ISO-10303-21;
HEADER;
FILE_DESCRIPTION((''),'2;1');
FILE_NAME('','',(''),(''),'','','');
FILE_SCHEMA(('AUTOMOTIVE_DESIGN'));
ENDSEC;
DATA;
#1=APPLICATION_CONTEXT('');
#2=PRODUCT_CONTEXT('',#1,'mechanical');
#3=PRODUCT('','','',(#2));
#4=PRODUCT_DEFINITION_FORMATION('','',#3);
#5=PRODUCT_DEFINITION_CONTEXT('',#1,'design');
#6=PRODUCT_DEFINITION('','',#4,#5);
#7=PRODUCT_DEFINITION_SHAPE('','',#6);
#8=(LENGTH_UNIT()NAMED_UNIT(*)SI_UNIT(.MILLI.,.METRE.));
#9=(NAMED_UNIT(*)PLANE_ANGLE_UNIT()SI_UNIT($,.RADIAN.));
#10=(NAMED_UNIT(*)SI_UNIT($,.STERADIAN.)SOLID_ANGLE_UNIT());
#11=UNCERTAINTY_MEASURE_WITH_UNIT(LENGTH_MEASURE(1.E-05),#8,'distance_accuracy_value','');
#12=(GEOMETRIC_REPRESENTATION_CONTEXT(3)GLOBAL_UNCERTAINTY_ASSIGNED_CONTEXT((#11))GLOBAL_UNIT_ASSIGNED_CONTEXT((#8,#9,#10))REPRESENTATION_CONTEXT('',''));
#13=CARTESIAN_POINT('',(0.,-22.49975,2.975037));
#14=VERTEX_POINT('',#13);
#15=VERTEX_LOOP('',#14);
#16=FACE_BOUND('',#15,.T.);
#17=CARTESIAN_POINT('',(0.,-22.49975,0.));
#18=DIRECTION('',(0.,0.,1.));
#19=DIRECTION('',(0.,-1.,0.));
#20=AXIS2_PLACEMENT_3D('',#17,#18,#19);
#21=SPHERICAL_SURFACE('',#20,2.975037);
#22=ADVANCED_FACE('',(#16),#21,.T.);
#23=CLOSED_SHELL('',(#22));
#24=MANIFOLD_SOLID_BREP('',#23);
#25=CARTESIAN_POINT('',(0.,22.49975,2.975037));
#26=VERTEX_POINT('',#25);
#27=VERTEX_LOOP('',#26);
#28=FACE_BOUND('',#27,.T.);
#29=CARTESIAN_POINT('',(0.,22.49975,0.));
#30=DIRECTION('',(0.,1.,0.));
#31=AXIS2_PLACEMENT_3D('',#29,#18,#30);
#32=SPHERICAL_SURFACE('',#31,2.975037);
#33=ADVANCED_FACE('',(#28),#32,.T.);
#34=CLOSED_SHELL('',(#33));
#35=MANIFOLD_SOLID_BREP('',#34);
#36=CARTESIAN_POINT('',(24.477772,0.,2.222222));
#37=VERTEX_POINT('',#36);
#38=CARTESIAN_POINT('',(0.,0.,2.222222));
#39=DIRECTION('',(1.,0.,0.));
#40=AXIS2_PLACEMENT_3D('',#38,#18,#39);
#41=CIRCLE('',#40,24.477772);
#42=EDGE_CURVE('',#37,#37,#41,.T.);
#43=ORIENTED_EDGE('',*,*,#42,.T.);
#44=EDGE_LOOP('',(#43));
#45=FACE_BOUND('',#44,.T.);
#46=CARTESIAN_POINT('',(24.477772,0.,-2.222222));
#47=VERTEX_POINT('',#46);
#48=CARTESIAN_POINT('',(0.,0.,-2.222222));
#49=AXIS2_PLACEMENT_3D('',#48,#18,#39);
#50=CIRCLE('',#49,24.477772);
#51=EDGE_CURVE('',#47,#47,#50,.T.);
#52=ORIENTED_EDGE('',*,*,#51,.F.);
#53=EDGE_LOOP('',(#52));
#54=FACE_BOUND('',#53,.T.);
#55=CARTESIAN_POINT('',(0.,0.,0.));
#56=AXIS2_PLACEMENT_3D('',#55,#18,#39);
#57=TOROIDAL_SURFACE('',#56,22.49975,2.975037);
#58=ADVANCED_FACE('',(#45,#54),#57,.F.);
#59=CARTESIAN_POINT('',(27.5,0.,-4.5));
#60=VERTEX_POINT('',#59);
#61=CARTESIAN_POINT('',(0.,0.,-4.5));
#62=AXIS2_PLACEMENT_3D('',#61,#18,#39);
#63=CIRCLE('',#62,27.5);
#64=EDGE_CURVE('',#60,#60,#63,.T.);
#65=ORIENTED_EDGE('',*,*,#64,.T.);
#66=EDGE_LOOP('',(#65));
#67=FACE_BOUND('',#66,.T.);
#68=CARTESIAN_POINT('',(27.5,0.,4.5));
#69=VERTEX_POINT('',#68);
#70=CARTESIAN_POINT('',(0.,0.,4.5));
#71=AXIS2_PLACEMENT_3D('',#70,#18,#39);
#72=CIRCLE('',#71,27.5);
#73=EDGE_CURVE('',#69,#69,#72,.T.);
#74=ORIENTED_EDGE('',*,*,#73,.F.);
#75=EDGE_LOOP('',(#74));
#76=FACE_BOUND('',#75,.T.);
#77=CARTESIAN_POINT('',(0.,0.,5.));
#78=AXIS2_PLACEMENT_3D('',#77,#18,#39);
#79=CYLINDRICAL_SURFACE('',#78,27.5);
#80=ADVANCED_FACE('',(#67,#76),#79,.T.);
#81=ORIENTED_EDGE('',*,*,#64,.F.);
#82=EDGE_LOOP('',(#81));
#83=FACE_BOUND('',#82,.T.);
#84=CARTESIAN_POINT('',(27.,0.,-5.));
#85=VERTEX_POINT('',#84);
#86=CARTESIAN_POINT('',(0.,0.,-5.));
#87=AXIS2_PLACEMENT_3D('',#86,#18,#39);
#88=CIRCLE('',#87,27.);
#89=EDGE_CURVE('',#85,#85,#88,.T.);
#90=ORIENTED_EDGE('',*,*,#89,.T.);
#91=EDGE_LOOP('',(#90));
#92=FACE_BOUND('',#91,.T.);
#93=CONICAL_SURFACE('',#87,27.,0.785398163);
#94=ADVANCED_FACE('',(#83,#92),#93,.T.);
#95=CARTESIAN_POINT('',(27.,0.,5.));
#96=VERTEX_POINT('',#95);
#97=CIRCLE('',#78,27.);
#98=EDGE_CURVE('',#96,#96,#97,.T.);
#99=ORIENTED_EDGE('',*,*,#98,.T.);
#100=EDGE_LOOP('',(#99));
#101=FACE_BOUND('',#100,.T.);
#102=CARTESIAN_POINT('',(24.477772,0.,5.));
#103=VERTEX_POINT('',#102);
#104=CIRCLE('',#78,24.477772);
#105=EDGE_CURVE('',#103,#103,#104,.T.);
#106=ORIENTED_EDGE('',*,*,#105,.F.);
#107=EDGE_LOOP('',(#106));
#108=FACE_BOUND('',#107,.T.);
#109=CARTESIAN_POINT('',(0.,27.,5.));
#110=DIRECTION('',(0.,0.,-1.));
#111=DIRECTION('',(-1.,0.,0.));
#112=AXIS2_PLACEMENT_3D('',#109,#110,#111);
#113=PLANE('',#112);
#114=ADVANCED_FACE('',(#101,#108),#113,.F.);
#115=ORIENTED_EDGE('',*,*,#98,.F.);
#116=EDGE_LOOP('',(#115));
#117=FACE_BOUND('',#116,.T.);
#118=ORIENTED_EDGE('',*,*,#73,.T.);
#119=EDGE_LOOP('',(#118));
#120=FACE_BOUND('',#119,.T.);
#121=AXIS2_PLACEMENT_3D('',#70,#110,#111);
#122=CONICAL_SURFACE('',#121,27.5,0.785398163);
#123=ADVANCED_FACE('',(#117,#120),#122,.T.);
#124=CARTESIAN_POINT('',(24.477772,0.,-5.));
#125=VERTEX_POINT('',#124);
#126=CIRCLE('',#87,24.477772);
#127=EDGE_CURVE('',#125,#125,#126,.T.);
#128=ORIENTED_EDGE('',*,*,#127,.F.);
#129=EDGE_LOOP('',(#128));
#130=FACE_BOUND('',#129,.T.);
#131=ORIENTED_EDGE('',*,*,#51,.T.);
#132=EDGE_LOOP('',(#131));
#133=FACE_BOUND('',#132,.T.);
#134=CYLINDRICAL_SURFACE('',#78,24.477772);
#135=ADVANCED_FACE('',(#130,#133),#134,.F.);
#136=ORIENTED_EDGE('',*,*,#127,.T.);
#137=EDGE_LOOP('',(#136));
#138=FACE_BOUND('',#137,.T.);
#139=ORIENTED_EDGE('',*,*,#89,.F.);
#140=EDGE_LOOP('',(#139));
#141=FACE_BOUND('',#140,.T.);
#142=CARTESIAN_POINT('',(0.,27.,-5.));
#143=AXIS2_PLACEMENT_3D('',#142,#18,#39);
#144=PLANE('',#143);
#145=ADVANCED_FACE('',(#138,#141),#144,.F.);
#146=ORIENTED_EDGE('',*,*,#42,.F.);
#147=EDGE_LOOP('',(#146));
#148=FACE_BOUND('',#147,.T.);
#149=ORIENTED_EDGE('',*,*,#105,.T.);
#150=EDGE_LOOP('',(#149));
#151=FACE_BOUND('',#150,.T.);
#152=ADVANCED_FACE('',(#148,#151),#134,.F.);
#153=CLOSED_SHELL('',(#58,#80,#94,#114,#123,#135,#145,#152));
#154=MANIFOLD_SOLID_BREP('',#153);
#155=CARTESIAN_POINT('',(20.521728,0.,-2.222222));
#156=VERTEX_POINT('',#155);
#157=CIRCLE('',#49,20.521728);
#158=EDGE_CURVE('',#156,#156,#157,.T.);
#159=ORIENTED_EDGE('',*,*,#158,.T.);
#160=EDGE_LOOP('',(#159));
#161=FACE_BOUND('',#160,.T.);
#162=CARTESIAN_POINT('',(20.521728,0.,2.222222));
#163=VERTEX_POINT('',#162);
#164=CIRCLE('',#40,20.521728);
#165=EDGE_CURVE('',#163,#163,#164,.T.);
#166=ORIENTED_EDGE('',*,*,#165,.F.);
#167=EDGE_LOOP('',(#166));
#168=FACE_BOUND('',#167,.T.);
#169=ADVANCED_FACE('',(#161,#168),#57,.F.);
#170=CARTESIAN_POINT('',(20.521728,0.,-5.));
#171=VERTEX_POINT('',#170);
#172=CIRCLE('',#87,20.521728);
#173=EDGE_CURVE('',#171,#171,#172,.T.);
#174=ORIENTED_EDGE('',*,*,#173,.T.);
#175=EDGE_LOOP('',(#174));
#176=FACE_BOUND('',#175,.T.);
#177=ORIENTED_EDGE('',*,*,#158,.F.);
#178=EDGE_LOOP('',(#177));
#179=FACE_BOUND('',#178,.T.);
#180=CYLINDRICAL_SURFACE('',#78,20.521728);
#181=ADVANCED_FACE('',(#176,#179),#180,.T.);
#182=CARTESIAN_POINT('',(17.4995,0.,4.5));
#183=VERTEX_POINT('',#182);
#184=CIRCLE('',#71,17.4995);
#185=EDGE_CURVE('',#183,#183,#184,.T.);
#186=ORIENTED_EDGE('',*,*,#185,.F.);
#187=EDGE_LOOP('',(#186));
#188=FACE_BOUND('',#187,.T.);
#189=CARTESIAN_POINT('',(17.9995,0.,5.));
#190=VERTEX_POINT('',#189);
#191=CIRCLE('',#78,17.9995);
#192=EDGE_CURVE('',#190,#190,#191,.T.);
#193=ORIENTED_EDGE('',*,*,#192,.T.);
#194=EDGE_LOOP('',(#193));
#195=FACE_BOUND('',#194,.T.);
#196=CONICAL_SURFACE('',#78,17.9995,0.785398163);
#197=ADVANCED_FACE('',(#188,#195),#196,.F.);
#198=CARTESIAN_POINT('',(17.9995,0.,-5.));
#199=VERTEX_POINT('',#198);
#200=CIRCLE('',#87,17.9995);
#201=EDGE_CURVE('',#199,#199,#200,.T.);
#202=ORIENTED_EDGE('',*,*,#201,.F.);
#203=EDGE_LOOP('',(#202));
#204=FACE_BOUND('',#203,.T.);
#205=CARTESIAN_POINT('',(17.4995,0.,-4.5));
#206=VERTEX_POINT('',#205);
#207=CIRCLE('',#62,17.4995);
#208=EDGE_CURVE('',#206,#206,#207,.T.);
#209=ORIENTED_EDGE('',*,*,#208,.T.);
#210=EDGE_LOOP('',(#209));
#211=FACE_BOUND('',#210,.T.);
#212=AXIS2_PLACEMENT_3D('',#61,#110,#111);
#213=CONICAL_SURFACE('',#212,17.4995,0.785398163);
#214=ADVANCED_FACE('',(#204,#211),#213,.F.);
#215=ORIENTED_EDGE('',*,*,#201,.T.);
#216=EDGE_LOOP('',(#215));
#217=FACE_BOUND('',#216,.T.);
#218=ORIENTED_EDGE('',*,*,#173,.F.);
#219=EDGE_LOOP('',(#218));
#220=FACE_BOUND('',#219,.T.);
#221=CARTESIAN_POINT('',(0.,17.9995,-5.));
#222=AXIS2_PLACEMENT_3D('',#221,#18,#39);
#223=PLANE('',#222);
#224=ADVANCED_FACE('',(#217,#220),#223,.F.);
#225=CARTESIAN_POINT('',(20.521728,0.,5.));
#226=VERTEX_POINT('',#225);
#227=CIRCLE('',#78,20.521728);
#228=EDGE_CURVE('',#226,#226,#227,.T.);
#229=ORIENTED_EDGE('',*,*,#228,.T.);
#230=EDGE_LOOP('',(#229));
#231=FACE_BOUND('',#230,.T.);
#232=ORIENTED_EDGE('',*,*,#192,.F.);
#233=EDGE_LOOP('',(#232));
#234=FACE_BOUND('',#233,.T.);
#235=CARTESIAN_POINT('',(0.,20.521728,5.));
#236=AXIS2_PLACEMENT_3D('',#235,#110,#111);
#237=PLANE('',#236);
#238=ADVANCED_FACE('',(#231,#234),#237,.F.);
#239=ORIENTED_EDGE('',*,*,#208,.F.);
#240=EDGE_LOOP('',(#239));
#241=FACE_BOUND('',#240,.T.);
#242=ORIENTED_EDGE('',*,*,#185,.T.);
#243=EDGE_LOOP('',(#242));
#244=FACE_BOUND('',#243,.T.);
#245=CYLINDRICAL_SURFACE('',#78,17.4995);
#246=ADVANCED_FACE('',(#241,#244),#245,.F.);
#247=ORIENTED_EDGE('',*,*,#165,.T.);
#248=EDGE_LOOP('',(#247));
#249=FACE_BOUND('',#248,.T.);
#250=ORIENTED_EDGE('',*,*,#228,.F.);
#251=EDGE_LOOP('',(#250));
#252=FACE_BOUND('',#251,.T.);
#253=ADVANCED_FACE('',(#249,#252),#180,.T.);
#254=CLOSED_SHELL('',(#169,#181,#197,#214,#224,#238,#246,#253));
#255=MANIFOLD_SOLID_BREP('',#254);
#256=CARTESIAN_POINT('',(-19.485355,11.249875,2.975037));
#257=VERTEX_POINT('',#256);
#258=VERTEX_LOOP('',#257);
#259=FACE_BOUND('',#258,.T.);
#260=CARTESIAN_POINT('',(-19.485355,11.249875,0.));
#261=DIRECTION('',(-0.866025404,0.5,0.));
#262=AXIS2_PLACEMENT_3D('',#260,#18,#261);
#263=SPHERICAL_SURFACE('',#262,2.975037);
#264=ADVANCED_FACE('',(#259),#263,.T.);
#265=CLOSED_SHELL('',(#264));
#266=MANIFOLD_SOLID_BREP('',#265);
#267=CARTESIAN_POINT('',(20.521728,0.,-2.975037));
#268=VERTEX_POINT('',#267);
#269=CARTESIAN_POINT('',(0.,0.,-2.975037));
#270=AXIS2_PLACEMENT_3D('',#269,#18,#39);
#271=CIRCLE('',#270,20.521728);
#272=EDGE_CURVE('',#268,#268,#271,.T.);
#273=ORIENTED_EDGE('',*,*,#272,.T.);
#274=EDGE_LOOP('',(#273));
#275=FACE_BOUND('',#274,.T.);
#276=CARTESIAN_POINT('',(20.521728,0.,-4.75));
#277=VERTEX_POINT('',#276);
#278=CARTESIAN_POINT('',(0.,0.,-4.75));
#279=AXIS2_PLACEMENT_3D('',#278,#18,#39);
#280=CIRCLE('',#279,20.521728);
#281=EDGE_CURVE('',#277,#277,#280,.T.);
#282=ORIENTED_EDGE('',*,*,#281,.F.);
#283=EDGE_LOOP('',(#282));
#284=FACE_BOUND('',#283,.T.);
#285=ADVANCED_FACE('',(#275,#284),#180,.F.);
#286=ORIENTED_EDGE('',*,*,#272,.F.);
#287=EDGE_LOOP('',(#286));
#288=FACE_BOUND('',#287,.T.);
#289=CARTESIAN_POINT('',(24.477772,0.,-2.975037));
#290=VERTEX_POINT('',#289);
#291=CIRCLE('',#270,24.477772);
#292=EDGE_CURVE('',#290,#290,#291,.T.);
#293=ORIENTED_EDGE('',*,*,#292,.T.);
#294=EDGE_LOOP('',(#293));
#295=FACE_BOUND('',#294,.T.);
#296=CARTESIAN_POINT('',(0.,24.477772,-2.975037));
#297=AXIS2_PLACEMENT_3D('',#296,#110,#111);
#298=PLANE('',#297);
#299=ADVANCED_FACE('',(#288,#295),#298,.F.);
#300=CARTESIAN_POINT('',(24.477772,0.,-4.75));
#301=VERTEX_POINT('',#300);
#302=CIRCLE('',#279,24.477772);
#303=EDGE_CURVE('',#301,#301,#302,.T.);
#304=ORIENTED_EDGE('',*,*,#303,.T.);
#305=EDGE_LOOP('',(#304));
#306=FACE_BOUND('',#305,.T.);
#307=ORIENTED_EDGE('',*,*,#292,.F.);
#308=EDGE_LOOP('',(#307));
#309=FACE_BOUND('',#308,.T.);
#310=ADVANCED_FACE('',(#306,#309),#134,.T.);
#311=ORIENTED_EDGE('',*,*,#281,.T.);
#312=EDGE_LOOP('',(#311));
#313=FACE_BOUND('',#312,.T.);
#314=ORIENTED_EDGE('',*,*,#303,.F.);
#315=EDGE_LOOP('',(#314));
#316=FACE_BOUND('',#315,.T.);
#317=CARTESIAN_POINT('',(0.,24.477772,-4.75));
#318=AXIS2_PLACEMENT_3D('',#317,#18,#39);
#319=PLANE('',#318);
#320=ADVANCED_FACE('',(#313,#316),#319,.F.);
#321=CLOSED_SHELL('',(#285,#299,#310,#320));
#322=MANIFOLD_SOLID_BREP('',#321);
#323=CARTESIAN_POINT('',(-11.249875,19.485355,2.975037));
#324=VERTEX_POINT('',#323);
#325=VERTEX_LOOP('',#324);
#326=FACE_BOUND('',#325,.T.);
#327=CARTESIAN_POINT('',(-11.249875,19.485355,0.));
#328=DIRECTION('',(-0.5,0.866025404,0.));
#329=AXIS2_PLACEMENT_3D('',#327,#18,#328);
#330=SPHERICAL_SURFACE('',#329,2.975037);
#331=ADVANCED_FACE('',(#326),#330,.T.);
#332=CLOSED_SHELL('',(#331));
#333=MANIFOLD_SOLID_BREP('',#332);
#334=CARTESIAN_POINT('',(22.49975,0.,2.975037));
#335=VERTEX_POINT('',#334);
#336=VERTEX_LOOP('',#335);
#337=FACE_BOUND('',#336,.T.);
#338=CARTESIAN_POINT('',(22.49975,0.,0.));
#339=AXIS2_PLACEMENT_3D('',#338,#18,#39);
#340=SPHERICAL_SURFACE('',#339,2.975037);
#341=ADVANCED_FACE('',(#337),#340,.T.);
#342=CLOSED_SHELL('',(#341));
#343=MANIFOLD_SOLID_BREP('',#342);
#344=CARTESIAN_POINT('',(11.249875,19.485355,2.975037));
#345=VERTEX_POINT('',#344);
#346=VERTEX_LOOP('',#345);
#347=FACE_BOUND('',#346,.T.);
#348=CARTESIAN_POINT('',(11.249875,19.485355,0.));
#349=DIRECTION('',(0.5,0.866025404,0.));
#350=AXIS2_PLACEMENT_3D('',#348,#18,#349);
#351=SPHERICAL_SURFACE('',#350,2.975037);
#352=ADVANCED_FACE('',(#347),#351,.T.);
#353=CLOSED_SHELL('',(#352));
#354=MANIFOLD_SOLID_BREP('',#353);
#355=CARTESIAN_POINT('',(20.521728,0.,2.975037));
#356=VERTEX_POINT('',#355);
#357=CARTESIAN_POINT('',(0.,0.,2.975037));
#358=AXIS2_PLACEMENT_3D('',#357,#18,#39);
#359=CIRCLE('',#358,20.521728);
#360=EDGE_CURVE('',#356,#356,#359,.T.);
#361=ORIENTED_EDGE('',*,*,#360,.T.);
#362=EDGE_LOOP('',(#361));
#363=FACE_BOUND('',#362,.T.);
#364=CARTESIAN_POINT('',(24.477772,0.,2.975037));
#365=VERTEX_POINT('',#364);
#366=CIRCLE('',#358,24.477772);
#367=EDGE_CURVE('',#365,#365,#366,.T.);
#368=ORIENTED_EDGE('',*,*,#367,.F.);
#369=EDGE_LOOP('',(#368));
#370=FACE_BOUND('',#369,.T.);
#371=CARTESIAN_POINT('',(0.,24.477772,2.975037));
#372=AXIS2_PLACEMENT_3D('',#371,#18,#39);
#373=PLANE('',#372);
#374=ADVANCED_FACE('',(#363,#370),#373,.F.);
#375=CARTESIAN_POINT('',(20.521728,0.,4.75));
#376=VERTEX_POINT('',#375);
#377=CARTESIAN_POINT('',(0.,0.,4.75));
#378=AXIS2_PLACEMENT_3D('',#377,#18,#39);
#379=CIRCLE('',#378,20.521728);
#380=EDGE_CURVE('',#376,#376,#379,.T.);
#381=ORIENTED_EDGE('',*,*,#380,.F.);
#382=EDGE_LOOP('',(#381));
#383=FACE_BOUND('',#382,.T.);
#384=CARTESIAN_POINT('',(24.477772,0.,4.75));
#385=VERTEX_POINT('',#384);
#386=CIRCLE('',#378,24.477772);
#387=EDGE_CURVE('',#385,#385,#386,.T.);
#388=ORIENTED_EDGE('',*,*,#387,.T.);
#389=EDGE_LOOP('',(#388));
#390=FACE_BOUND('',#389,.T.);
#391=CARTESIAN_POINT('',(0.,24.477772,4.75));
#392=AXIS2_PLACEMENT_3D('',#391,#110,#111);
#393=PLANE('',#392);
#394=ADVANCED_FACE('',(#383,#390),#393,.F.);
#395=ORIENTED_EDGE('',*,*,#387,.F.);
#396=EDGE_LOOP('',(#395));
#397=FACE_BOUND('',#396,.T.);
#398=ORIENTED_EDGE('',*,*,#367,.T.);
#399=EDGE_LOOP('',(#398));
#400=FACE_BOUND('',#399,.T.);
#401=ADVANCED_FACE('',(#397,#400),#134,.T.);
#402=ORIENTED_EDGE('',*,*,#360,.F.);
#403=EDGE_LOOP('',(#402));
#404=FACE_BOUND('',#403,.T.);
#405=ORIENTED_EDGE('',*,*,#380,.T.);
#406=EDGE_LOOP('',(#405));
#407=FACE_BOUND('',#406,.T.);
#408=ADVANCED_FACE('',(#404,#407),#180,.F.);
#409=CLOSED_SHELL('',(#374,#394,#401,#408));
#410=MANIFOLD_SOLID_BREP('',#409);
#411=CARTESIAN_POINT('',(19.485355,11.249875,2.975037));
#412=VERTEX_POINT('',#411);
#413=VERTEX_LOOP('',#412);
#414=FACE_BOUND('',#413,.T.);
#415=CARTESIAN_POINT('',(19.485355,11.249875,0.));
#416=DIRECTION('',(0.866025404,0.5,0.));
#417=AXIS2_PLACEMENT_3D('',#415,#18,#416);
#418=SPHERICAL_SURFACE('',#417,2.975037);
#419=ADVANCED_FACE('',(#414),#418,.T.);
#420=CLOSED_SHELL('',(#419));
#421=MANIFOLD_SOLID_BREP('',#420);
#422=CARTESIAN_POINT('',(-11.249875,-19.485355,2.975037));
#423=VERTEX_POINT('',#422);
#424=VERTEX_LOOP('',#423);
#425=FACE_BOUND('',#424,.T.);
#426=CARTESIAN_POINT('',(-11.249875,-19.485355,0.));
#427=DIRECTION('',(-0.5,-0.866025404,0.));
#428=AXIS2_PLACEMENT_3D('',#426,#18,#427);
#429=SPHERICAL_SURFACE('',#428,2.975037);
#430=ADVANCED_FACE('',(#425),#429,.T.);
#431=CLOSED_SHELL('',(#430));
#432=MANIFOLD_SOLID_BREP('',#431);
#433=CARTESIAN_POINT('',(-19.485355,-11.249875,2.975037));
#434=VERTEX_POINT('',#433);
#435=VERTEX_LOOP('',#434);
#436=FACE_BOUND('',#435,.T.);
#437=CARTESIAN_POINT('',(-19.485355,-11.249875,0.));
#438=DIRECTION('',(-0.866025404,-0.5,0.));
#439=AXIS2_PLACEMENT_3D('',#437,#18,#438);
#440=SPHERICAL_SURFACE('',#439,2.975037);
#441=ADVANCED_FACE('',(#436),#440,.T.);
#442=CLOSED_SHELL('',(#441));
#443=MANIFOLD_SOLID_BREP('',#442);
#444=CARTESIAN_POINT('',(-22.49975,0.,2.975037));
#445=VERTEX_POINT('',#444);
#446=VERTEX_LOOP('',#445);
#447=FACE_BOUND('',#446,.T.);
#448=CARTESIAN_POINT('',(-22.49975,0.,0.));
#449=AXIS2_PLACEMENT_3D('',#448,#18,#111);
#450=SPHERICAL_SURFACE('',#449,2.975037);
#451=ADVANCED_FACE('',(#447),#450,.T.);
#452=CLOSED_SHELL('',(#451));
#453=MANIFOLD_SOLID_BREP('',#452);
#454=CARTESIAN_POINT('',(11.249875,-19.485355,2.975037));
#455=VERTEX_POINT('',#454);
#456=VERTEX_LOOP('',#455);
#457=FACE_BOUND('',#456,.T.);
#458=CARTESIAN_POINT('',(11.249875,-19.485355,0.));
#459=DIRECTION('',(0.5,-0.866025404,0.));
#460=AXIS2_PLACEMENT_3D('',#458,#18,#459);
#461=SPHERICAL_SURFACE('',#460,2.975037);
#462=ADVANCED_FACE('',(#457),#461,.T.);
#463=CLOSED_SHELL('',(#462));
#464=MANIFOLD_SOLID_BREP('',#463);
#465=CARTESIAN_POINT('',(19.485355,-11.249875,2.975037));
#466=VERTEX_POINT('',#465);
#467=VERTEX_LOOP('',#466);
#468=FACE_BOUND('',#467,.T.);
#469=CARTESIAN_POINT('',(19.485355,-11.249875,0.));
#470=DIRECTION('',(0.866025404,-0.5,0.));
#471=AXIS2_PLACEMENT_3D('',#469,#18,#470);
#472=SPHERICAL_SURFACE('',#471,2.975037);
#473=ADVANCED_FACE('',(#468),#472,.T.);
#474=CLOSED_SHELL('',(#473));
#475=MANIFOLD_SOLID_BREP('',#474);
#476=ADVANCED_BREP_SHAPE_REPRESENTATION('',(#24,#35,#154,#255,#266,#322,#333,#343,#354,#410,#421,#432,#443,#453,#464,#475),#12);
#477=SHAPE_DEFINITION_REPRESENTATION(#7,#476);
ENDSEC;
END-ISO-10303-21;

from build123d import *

# Parameters (mm, degrees)
CIRPATTERN1_COUNT = 12
SKETCH5_W         = 1.774963437
SKETCH5_H         = 3.956043956


with BuildPart() as part:
    # Sketch1 → Revolve1 (revolve)
    with BuildSketch(Plane(origin=(0, 0, 0), x_dir=(0, 0, -1), z_dir=(1, 0, 0))):
        with BuildLine():
            Line((4.5, 27.5), (-4.5, 27.5))
            Line((-4.5, 27.5), (-5, 27))
            Line((-5, 27), (-5, 24.477771978))
            Line((-5, 24.477771978), (-2.222222222, 24.477771978))
            ThreePointArc((-2.222222222, 24.477771978), (0, 25.474786563), (2.222222222, 24.477771978))
            Line((2.222222222, 24.477771978), (5, 24.477771978))
            Line((5, 24.477771978), (5, 27))
            Line((5, 27), (4.5, 27.5))
        make_face()
    revolve(axis=Axis((0, 0, 5), (0, 0, -1)))


with BuildPart() as body_2:
    # Sketch3 → Revolve3 (revolve)
    with BuildSketch(Plane(origin=(0, 0, 0), x_dir=(0, 0, -1), z_dir=(1, 0, 0))):
        with BuildLine():
            Line((-5, 20.521728022), (-2.222222222, 20.521728022))
            ThreePointArc((-2.222222222, 20.521728022), (0, 19.524713437), (2.222222222, 20.521728022))
            Line((2.222222222, 20.521728022), (5, 20.521728022))
            Line((5, 20.521728022), (5, 17.9995))
            Line((5, 17.9995), (4.5, 17.4995))
            Line((4.5, 17.4995), (-4.5, 17.4995))
            Line((-4.5, 17.4995), (-5, 17.9995))
            Line((-5, 17.9995), (-5, 20.521728022))
        make_face()
    revolve(axis=Axis((0, 0, 5), (0, 0, -1)))


with BuildPart() as body_3:
    # Sketch4 → Revolve4 (revolve)
    with BuildSketch(Plane(origin=(0, 0, 0), x_dir=(0, 0, -1), z_dir=(1, 0, 0))):
        with BuildLine():
            Line((-2.975036563, 22.49975), (2.975036563, 22.49975))
            ThreePointArc((2.975036563, 22.49975), (0, 25.474786563), (-2.975036563, 22.49975))
        make_face()
    revolve(axis=Axis((0, 22.49975, 2.975036563), (0, 0, -1)))


with BuildPart() as cirpattern1_1:
    # CirPattern1: pattern copy
    add(body_3.part.rotate(Axis((0, 0, -5), (0, 0, 1)), 1 * 360 / CIRPATTERN1_COUNT))


with BuildPart() as cirpattern1_2:
    # CirPattern1: pattern copy
    add(body_3.part.rotate(Axis((0, 0, -5), (0, 0, 1)), 2 * 360 / CIRPATTERN1_COUNT))


with BuildPart() as cirpattern1_3:
    # CirPattern1: pattern copy
    add(body_3.part.rotate(Axis((0, 0, -5), (0, 0, 1)), 3 * 360 / CIRPATTERN1_COUNT))


with BuildPart() as cirpattern1_4:
    # CirPattern1: pattern copy
    add(body_3.part.rotate(Axis((0, 0, -5), (0, 0, 1)), 4 * 360 / CIRPATTERN1_COUNT))


with BuildPart() as cirpattern1_5:
    # CirPattern1: pattern copy
    add(body_3.part.rotate(Axis((0, 0, -5), (0, 0, 1)), 5 * 360 / CIRPATTERN1_COUNT))


with BuildPart() as cirpattern1_6:
    # CirPattern1: pattern copy
    add(body_3.part.rotate(Axis((0, 0, -5), (0, 0, 1)), 6 * 360 / CIRPATTERN1_COUNT))


with BuildPart() as cirpattern1_7:
    # CirPattern1: pattern copy
    add(body_3.part.rotate(Axis((0, 0, -5), (0, 0, 1)), 7 * 360 / CIRPATTERN1_COUNT))


with BuildPart() as cirpattern1_8:
    # CirPattern1: pattern copy
    add(body_3.part.rotate(Axis((0, 0, -5), (0, 0, 1)), 8 * 360 / CIRPATTERN1_COUNT))


with BuildPart() as cirpattern1_9:
    # CirPattern1: pattern copy
    add(body_3.part.rotate(Axis((0, 0, -5), (0, 0, 1)), 9 * 360 / CIRPATTERN1_COUNT))


with BuildPart() as cirpattern1_10:
    # CirPattern1: pattern copy
    add(body_3.part.rotate(Axis((0, 0, -5), (0, 0, 1)), 10 * 360 / CIRPATTERN1_COUNT))


with BuildPart() as cirpattern1_11:
    # CirPattern1: pattern copy
    add(body_3.part.rotate(Axis((0, 0, -5), (0, 0, 1)), 11 * 360 / CIRPATTERN1_COUNT))


with BuildPart() as body_15:
    # Sketch5 → Revolve5 (revolve)
    with BuildSketch(Plane(origin=(0, 0, 0), x_dir=(0, 0, -1), z_dir=(1, 0, 0))):
        with Locations((-3.862518281, 22.49975)):
            Rectangle(SKETCH5_W, SKETCH5_H)
        with Locations((3.862518281, 22.49975)):
            Rectangle(SKETCH5_W, SKETCH5_H)
    revolve(axis=Axis((0, 0, 5), (0, 0, -1)))


solid = Compound([part.part, body_2.part, body_3.part, cirpattern1_1.part, cirpattern1_2.part, cirpattern1_3.part, cirpattern1_4.part, cirpattern1_5.part, cirpattern1_6.part, cirpattern1_7.part, cirpattern1_8.part, cirpattern1_9.part, cirpattern1_10.part, cirpattern1_11.part, body_15.part])
